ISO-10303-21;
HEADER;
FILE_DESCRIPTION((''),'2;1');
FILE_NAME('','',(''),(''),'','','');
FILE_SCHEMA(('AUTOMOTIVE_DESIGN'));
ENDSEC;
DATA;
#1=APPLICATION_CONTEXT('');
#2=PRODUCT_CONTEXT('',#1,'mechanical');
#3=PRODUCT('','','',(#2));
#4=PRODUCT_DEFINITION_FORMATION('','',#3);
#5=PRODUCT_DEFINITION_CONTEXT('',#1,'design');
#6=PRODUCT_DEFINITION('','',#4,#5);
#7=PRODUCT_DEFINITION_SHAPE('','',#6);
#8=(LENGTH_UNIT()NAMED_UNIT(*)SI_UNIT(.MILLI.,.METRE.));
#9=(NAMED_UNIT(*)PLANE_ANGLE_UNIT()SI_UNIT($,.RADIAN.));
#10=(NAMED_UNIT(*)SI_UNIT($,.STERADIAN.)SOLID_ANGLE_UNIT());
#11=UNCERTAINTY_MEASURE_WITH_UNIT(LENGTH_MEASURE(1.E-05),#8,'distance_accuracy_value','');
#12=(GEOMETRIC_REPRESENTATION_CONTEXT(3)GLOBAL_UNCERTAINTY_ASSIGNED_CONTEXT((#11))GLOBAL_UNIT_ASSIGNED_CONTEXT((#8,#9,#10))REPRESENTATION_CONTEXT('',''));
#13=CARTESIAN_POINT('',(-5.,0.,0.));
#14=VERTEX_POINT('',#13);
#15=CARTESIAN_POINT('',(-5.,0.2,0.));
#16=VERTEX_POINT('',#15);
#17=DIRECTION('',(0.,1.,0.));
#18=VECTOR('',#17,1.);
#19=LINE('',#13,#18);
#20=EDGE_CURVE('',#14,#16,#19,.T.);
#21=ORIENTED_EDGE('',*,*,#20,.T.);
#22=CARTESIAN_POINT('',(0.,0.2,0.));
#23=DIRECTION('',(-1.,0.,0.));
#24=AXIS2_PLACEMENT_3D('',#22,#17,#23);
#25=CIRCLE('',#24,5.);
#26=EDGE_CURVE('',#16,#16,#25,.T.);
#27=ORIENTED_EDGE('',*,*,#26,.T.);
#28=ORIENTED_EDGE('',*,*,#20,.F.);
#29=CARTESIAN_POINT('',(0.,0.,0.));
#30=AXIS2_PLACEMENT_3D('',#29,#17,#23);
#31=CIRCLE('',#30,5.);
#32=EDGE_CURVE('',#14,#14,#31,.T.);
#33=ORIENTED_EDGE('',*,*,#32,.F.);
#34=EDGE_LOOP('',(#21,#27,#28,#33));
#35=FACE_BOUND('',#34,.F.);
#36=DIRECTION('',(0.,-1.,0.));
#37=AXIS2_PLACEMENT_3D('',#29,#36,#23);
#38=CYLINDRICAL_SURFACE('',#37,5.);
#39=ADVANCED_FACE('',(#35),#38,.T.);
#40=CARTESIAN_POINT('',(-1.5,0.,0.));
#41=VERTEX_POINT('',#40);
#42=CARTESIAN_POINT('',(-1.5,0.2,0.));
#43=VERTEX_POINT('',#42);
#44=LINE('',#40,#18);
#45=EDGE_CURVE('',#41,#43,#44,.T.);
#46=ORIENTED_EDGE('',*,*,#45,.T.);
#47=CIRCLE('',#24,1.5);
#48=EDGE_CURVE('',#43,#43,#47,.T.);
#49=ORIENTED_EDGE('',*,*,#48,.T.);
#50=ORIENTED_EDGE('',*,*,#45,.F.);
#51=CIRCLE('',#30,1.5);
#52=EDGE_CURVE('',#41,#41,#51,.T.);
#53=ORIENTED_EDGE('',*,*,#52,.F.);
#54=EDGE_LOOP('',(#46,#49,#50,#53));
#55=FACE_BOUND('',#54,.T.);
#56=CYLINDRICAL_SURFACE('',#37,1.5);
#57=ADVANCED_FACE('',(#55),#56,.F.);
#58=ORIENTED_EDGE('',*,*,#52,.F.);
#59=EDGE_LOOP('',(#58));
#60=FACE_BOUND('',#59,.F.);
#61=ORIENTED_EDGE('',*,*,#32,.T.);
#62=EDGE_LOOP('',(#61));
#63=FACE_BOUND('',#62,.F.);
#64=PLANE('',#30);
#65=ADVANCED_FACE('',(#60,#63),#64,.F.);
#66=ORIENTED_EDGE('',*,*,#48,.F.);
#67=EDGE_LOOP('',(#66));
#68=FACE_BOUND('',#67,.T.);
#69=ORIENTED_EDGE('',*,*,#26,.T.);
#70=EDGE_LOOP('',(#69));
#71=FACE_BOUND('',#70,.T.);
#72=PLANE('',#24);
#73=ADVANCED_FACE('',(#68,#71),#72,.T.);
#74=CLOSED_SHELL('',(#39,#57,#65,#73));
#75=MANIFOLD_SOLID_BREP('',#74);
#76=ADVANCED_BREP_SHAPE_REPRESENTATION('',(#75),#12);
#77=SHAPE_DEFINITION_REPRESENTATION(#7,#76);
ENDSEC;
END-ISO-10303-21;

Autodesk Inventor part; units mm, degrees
ref_plane "YZ Plane" through (0, 0, 0) normal (1, 0, 0) x (0, 1, 0)
ref_plane "XZ Plane" through (0, 0, 0) normal (0, 1, 0) x (-1, 0, 0)
ref_plane "XY Plane" through (0, 0, 0) normal (0, 0, 1) x (1, 0, 0)
sketch "스케치1" plane through (0, 0, 0) normal (0, 1, 0) x (-1, 0, 0)
  circle A0 centre (0, 0) radius 1.5
  circle A1 centre (0, 0) radius 5
  dimension "d0" = 3
  dimension "d1" = 10
extrude "돌출1" add sketch "스케치1" along normal blind 0.2
properties part number "washa"
